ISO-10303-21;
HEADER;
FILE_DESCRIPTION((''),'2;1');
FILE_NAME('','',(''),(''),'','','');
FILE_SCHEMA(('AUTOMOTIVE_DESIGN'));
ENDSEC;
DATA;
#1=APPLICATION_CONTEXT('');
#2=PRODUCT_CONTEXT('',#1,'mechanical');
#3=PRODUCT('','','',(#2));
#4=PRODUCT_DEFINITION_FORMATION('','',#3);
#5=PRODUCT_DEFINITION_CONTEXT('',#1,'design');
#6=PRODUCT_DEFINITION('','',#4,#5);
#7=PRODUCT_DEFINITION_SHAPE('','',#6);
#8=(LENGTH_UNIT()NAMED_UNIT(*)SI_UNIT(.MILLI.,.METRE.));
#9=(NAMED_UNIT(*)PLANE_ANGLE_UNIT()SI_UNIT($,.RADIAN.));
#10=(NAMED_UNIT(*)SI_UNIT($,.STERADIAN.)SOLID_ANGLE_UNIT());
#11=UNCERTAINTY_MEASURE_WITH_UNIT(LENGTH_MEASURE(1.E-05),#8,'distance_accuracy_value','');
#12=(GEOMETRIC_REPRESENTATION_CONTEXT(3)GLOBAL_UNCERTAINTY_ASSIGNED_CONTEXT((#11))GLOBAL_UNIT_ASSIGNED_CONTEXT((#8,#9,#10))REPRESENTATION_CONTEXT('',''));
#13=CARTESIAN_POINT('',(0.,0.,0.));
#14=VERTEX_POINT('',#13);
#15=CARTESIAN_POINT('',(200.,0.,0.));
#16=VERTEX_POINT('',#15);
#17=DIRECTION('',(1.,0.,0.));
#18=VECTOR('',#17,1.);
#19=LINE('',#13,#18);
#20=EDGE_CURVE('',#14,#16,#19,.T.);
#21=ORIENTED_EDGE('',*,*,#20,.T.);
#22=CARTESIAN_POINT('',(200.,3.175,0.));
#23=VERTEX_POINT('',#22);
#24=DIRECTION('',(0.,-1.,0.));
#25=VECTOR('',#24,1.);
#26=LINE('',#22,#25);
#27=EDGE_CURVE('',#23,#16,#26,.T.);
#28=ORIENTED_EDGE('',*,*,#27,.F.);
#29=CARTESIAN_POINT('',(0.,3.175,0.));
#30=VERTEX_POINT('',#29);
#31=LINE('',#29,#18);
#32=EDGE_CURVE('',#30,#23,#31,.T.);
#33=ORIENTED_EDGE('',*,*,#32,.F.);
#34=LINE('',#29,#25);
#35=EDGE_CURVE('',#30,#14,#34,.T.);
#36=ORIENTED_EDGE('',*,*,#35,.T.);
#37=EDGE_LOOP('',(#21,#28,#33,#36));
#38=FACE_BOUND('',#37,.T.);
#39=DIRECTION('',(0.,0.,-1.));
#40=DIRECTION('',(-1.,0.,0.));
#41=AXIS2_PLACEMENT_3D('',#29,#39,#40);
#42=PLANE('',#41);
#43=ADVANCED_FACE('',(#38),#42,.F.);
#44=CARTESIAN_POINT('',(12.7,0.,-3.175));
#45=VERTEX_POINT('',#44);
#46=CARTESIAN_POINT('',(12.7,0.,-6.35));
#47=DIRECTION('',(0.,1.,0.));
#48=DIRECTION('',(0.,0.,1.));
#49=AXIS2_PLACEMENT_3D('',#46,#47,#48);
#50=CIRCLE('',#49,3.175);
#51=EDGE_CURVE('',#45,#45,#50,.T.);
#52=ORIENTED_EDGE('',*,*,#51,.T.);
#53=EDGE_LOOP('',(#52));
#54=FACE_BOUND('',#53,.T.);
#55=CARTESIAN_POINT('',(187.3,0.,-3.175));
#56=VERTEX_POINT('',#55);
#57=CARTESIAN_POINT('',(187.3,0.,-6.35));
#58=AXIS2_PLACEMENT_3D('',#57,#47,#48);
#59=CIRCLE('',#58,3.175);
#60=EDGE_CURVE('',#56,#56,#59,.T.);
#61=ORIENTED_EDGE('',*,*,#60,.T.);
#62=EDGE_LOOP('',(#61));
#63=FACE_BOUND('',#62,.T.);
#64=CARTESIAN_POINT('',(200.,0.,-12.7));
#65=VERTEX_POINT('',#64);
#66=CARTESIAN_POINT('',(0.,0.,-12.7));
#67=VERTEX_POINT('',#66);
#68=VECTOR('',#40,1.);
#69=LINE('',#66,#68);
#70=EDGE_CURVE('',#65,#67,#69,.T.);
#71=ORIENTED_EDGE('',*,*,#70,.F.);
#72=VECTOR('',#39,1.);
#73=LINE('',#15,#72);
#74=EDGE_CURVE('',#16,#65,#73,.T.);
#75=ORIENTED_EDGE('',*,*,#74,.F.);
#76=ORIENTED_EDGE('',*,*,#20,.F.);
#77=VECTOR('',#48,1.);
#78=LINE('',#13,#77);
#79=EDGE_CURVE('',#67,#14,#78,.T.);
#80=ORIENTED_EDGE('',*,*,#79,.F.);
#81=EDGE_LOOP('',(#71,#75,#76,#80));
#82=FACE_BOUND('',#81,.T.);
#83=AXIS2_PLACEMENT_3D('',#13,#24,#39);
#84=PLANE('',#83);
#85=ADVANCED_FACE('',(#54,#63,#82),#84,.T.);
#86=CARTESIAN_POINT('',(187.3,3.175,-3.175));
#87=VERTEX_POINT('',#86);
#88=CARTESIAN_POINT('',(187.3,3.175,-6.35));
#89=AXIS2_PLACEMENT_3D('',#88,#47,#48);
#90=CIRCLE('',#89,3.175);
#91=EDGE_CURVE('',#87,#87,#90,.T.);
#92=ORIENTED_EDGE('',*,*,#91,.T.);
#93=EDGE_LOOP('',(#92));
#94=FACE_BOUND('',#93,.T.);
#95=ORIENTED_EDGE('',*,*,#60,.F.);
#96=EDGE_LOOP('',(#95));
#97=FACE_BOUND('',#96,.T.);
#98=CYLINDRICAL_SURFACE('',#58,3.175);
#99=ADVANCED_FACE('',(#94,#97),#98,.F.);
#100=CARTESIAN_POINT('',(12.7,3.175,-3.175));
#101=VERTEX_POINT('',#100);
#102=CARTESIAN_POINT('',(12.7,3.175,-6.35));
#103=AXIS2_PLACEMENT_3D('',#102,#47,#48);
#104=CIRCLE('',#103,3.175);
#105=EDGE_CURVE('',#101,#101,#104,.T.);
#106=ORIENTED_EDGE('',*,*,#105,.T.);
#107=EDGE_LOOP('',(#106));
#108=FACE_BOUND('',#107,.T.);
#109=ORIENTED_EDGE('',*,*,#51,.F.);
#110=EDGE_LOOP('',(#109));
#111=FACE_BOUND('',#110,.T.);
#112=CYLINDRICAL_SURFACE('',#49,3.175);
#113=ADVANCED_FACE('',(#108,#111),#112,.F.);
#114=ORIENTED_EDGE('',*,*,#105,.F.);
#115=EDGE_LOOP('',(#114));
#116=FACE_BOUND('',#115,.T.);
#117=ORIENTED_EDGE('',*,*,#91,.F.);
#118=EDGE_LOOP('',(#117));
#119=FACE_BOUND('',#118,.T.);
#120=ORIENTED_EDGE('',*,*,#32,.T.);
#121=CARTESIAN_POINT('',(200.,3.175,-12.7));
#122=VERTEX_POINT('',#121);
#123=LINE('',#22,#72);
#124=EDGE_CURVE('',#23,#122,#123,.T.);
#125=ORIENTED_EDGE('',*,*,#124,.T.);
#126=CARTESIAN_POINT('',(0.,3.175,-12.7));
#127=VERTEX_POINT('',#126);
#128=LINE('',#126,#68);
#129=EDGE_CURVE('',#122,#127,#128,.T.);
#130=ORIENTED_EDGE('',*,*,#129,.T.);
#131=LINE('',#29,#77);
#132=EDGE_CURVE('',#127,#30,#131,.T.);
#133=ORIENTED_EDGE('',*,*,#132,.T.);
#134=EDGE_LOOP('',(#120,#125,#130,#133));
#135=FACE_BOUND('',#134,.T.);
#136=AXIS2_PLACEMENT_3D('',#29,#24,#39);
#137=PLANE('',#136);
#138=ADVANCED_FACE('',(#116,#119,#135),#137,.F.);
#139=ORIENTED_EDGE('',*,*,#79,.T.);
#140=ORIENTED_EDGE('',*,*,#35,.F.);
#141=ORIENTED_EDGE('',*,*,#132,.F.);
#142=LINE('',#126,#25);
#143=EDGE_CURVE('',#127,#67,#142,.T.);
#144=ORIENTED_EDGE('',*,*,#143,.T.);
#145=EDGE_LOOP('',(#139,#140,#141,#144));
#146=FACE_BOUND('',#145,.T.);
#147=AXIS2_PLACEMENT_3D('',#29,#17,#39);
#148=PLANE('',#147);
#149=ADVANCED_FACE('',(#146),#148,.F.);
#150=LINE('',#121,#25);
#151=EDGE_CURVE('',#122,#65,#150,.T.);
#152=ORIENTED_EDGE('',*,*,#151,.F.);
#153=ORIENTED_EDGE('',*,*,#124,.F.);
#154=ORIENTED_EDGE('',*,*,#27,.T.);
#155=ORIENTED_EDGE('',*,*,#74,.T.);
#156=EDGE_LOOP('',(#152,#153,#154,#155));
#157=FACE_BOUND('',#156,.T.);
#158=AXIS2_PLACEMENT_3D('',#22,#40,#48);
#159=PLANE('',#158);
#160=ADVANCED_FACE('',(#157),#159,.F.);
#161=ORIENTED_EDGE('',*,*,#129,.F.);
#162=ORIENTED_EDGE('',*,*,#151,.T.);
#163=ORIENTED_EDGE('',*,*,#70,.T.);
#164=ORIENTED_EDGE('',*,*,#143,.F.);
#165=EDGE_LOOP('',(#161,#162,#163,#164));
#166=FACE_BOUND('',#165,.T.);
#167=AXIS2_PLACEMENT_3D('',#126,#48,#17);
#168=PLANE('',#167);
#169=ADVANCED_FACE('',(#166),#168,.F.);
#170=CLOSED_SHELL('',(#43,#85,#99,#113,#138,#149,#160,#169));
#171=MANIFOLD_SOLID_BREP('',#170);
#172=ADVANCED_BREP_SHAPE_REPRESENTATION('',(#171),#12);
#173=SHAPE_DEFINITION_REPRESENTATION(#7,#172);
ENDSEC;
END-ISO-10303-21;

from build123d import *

# Parameters (mm, degrees)
SKETCH1_W           = 200
SKETCH1_H           = 12.7
BOSS_EXTRUDE1_DEPTH = 3.175
SKETCH2_R           = 3.175
CUT_EXTRUDE1_DEPTH  = 4.175


with BuildPart() as part:
    # Sketch1 → Boss-Extrude1 (new body)
    with BuildSketch(Plane(origin=(0, 0, 0), x_dir=(1, 0, 0), z_dir=(0, 1, 0))):
        with Locations((100, 6.35)):
            Rectangle(SKETCH1_W, SKETCH1_H)
    extrude(amount=BOSS_EXTRUDE1_DEPTH)

    # Sketch2 → Cut-Extrude1 (cut, through all)
    with BuildSketch(Plane(origin=(0, 3.175, 0), x_dir=(1, 0, 0), z_dir=(0, 1, 0))):
        with Locations((12.7, 6.35)):
            Circle(SKETCH2_R)
        with Locations((187.3, 6.35)):
            Circle(SKETCH2_R)
    extrude(amount=-CUT_EXTRUDE1_DEPTH, mode=Mode.SUBTRACT)


solid = part.part
